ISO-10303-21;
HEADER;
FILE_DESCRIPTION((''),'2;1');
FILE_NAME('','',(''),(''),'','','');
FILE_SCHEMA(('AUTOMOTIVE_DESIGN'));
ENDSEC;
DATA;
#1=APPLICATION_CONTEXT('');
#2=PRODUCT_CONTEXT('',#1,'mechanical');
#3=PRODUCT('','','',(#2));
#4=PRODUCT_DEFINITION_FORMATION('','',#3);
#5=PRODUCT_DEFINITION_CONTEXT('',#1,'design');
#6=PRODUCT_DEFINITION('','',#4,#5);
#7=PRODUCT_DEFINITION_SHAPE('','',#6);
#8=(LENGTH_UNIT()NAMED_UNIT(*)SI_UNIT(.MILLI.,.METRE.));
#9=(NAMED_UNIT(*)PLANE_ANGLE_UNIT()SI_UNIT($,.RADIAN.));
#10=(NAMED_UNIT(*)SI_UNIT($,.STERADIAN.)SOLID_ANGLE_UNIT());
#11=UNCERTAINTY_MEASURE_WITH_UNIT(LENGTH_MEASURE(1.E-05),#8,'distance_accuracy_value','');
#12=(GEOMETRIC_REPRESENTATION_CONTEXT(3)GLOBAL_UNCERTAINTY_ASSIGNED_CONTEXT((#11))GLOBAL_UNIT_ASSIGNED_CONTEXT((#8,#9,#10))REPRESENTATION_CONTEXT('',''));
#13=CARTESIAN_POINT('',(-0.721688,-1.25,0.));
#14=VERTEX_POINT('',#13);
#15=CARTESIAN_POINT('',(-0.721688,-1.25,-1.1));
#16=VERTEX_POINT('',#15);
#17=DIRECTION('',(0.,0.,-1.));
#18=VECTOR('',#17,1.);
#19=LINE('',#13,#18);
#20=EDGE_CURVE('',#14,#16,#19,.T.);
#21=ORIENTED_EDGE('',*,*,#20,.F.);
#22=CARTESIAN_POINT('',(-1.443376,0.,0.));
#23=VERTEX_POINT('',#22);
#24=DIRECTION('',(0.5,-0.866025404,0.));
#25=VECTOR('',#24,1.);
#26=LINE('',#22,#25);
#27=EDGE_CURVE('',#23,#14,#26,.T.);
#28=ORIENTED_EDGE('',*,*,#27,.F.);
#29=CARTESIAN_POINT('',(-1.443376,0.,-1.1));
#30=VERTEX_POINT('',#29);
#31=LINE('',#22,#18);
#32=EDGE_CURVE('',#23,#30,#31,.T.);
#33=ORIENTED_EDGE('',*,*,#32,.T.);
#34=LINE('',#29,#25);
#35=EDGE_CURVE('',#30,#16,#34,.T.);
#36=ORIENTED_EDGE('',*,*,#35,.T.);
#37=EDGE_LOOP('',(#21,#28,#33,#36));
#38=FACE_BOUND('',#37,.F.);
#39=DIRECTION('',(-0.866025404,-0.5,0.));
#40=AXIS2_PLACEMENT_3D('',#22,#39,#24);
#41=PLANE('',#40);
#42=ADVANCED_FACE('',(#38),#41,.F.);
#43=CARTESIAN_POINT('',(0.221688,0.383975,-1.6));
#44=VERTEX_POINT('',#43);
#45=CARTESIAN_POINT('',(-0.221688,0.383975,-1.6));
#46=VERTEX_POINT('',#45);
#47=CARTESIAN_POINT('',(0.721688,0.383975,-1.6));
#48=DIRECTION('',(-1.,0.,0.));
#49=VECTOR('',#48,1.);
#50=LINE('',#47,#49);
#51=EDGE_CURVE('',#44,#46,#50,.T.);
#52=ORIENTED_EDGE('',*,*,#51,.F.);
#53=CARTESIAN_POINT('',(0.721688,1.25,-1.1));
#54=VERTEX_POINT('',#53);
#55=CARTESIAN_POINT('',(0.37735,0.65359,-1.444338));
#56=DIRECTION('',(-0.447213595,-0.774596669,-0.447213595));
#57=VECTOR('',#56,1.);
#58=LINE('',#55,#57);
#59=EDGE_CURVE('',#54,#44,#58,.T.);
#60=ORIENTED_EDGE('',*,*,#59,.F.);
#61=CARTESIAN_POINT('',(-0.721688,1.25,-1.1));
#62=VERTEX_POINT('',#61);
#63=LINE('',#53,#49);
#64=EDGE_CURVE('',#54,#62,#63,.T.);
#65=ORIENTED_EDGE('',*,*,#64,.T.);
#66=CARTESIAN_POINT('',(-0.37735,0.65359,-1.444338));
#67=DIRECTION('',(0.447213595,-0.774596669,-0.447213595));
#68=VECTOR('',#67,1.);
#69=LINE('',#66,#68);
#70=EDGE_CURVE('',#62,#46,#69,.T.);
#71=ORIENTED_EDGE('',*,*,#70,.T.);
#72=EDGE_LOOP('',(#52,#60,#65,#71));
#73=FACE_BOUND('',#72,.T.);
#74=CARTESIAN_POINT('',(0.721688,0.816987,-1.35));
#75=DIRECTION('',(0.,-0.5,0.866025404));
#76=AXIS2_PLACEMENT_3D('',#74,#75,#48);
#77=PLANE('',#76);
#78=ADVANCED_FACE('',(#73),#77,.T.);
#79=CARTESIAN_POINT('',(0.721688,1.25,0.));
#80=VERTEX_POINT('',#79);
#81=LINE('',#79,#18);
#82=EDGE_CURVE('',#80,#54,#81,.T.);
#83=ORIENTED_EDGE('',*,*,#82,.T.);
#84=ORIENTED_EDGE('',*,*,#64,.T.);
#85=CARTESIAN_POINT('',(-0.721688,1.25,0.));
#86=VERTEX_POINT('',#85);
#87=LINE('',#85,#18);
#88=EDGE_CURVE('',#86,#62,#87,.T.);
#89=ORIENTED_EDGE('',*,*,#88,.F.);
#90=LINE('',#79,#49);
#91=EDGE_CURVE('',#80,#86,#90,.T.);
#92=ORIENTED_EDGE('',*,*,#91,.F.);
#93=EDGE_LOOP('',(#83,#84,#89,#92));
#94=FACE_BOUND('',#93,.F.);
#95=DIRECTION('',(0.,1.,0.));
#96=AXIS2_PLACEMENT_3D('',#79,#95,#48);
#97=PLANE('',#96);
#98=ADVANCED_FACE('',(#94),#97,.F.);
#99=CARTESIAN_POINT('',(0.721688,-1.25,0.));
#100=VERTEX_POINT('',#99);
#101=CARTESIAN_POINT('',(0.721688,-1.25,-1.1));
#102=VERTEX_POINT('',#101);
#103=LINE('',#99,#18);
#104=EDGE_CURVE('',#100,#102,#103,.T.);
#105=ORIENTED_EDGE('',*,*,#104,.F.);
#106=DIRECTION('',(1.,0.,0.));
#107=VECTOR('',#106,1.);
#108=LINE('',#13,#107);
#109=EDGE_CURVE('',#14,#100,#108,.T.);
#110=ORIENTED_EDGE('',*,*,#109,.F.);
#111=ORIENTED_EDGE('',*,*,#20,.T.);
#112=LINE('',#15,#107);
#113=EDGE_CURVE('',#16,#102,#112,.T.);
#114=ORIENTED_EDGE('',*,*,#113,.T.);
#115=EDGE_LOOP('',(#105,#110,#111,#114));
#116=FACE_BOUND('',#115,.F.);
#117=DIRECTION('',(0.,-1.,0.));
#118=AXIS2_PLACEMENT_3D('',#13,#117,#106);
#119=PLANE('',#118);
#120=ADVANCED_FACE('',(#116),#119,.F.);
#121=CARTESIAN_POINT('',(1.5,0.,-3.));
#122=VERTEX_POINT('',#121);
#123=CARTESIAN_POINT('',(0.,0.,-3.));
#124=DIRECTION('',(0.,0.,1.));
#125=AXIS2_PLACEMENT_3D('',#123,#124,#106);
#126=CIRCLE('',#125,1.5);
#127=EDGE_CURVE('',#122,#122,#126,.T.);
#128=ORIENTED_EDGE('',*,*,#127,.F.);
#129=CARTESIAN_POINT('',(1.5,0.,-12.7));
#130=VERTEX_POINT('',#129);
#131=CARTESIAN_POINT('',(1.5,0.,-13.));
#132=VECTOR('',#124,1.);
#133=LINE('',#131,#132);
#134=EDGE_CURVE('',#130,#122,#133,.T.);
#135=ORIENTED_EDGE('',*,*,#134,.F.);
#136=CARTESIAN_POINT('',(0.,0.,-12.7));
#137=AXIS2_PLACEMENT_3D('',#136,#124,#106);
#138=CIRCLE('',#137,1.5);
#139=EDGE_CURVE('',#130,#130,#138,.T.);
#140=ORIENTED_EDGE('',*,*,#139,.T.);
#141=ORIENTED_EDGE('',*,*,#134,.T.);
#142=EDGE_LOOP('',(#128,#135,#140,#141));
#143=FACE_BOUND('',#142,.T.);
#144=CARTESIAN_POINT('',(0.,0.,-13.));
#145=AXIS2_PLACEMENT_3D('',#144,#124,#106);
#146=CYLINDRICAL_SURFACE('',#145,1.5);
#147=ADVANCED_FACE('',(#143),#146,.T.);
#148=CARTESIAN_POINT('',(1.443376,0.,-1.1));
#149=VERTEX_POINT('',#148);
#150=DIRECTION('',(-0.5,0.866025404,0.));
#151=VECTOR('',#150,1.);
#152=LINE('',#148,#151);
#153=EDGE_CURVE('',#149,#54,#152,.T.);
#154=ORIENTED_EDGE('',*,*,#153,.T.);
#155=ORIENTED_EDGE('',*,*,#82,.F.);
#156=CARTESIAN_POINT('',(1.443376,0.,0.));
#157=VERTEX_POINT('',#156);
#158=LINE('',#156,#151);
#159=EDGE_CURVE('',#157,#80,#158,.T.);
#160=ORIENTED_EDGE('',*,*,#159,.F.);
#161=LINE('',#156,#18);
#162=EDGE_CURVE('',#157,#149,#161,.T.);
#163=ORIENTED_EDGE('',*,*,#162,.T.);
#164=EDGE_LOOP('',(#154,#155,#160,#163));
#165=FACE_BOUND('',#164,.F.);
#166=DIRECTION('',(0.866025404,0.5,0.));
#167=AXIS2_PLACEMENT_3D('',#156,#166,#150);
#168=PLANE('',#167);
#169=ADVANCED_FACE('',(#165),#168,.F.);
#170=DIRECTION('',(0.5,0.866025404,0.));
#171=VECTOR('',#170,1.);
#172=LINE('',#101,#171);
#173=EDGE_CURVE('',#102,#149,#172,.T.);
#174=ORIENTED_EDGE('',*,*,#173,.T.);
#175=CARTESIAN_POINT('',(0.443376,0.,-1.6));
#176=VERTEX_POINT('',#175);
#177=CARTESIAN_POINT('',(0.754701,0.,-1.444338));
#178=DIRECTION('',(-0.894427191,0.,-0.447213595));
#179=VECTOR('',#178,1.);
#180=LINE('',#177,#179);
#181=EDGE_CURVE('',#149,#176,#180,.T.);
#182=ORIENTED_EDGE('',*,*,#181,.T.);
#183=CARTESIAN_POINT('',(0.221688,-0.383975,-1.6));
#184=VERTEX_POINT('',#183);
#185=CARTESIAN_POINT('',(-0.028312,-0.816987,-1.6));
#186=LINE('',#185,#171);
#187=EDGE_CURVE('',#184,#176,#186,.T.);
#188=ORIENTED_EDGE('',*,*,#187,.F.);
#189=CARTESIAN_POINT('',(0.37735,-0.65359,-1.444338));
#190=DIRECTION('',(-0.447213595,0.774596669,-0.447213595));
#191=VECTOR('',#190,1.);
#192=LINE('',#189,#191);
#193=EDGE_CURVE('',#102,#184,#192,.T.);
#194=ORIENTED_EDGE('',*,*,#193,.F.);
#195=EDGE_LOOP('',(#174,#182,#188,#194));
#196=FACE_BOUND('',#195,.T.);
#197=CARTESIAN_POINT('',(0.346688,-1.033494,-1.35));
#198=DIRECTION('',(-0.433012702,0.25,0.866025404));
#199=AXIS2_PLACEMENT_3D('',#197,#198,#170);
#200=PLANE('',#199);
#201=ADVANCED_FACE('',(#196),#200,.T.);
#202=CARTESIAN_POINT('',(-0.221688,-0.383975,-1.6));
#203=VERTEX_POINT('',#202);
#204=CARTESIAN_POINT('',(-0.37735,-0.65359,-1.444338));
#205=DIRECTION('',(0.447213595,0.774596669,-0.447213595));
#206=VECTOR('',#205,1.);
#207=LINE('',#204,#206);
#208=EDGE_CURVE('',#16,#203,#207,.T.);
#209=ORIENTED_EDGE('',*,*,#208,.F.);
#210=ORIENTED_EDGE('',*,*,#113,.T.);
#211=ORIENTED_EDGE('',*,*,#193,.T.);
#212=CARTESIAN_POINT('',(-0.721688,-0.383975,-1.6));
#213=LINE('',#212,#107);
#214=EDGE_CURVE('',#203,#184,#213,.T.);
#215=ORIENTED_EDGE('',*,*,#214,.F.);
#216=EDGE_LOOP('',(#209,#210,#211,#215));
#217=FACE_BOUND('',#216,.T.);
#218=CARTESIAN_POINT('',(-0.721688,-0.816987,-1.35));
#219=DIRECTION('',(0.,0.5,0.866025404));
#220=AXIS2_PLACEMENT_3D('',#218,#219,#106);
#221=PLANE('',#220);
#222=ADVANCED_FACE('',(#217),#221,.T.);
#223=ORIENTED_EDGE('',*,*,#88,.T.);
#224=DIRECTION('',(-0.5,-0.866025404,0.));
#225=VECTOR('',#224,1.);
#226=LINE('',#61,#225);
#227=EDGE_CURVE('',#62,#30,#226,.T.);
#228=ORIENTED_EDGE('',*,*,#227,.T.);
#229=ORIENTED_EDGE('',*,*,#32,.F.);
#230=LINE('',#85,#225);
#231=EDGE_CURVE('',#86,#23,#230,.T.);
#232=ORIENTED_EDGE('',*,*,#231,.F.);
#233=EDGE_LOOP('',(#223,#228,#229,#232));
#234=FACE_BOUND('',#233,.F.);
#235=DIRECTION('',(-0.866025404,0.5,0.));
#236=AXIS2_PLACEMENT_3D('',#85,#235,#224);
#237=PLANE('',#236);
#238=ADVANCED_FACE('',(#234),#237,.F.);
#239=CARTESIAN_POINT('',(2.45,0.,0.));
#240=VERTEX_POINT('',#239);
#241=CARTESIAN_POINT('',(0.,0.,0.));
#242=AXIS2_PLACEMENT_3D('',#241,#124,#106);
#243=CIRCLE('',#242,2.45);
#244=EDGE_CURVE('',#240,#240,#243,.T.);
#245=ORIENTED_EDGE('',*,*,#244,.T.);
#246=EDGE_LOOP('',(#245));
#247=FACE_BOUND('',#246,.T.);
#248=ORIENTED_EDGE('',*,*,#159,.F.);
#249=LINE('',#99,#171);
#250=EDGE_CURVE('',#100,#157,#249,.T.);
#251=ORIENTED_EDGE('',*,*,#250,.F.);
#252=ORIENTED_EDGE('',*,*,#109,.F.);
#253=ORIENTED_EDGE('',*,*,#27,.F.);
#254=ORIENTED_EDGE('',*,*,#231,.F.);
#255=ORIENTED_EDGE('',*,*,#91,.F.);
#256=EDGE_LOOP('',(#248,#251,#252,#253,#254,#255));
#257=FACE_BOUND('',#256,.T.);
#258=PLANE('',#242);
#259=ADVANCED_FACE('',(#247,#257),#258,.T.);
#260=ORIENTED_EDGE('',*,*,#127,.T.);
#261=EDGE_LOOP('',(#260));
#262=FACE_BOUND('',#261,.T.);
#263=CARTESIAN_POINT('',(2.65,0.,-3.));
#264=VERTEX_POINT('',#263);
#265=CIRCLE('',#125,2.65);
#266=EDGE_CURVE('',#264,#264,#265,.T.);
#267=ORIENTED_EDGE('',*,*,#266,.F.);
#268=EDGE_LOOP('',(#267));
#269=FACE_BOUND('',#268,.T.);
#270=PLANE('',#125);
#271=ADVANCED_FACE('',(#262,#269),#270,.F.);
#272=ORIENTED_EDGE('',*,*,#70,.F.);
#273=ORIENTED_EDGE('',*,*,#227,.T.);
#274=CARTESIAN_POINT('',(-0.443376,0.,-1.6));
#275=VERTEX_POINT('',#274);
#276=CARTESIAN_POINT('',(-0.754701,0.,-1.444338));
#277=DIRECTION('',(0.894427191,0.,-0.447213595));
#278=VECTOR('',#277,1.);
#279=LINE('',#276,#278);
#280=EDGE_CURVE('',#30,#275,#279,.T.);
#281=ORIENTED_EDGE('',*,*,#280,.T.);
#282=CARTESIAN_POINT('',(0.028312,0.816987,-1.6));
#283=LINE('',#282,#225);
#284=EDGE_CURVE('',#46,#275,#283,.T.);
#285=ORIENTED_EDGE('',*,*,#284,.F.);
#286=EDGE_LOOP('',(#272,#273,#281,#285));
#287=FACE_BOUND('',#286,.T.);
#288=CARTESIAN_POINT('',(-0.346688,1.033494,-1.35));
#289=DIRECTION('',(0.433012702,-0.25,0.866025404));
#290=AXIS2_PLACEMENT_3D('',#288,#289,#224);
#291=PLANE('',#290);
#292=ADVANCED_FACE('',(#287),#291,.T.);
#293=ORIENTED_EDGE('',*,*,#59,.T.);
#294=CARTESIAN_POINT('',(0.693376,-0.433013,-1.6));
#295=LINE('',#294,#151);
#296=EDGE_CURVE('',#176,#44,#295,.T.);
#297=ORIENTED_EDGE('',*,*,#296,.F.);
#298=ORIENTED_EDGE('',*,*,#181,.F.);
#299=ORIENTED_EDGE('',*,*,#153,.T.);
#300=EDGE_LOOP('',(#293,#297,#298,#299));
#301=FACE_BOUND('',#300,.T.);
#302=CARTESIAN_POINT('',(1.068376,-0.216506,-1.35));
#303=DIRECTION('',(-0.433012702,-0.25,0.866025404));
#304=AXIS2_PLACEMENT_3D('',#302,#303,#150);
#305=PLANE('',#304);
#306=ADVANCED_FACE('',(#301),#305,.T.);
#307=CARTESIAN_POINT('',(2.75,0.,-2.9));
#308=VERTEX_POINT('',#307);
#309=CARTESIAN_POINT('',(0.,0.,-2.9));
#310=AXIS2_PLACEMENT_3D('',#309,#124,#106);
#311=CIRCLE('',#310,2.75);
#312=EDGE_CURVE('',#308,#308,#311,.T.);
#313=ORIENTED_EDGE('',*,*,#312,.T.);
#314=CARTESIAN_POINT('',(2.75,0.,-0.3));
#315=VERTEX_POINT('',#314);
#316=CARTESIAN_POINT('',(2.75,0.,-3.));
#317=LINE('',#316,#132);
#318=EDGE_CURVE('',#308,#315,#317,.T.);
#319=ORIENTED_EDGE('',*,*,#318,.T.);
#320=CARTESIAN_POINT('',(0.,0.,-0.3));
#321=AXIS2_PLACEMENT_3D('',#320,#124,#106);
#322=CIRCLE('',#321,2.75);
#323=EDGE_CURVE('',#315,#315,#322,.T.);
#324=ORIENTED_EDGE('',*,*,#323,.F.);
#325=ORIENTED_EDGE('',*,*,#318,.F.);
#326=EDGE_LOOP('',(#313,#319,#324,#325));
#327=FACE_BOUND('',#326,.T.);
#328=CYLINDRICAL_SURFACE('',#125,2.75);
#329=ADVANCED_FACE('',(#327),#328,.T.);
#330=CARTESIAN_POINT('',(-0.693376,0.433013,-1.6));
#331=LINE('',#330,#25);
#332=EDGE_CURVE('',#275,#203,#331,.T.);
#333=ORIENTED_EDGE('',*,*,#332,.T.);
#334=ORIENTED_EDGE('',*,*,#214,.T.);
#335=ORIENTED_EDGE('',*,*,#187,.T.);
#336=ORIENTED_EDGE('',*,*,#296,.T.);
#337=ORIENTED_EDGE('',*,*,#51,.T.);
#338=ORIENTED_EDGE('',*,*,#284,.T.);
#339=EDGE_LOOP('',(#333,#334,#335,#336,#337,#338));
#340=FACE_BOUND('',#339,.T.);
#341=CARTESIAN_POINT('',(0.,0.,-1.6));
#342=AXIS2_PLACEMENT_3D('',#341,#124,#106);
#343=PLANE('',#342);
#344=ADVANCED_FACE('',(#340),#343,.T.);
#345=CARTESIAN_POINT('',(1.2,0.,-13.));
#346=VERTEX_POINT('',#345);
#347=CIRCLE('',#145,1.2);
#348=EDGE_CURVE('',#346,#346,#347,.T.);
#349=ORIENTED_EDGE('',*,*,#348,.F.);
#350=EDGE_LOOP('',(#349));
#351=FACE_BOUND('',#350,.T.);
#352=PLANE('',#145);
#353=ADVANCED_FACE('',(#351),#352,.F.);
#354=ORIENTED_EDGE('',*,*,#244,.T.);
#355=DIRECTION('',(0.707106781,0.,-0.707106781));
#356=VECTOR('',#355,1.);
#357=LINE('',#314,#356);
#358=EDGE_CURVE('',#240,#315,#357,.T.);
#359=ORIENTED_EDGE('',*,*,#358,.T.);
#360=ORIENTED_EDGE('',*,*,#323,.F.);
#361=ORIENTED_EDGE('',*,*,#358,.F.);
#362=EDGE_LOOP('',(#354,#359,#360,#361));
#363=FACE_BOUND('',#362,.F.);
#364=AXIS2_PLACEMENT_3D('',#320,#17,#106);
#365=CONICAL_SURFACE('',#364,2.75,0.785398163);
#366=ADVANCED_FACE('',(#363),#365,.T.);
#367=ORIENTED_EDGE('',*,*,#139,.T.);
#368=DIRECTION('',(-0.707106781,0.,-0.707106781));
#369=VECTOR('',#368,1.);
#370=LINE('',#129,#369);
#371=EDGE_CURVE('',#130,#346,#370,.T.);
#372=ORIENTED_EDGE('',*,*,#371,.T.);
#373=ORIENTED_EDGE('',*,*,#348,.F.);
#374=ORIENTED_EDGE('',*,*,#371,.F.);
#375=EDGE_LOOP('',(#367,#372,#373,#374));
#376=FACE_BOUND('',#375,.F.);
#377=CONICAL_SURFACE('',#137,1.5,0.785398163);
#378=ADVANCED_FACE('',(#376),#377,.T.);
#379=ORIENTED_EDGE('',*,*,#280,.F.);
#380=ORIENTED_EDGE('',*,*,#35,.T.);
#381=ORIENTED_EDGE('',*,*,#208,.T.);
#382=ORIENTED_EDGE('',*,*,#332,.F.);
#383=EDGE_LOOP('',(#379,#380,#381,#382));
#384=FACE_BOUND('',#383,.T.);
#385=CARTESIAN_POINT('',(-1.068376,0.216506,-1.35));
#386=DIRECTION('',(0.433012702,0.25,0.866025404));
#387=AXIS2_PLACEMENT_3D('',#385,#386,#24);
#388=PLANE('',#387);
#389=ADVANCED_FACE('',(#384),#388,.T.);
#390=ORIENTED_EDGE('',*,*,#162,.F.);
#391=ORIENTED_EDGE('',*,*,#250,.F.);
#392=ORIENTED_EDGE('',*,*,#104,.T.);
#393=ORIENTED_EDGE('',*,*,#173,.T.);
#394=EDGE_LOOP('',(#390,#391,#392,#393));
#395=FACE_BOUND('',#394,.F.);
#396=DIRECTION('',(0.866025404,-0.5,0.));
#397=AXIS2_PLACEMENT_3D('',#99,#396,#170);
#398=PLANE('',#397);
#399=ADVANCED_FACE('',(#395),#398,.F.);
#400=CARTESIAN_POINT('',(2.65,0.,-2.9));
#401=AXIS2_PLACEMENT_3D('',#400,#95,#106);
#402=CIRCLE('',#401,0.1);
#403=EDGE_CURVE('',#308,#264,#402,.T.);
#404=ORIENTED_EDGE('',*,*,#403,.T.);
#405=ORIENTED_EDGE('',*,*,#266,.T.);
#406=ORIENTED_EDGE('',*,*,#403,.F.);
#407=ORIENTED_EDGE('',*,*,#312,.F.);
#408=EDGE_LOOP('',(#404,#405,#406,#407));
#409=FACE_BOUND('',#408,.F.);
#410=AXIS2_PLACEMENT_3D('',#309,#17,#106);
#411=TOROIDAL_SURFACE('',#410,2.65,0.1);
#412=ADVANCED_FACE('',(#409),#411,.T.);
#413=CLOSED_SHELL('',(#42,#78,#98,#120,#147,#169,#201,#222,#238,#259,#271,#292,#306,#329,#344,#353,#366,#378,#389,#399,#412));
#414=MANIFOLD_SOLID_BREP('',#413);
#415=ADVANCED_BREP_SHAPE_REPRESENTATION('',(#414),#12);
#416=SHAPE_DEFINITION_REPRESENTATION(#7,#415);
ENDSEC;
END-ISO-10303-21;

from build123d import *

# Parameters (mm, degrees)
F3_DEPTH = 1.6
F4_SIZE2 = 0.8660254038
F4_SIZE  = 0.5
F5_SIZE  = 0.3
F6_R     = 0.1


with BuildPart() as f1:
    # F0 (on Front) → F1 (revolve)
    with BuildSketch(Plane.XZ):
        Polygon((2.75, 0), (0, 0), (0, -13), (1.5, -13), (1.5, -3), (2.75, -3), align=None)
    revolve(axis=Axis((0, 0, -6.5), (0, 0, 1)))

    # F2 (on face) → F3 (cut)
    with BuildSketch(Plane.XY):
        Polygon((0.7216878365, 1.25), (-0.7216878365, 1.25), (-1.443375673, 0), (-0.7216878365, -1.25), (0.7216878365, -1.25), (1.443375673, 0), align=None)
    extrude(amount=-F3_DEPTH, mode=Mode.SUBTRACT)

    # F4
    f4_edges = [f1.edges().sort_by_distance(p)[0] for p in [
        (0, 1.25, -1.6),
        (-1.082532, 0.625, -1.6),
        (-1.082532, -0.625, -1.6),
        (0, -1.25, -1.6),
        (1.082532, -0.625, -1.6),
        (1.082532, 0.625, -1.6),
    ]]
    chamfer(f4_edges, length=F4_SIZE, length2=F4_SIZE2)

    # F5
    f5_edges = [f1.edges().sort_by_distance(p)[0] for p in [
        (-2.75, 0, 0),
        (-1.5, 0, -13),
    ]]
    chamfer(f5_edges, length=F5_SIZE)

    # F6
    f6_edges = [f1.edges().sort_by_distance(p)[0] for p in [
        (-2.75, 0, -3),
    ]]
    fillet(f6_edges, radius=F6_R)


with BuildPart() as f7_1:
    # F7: copy of F1
    add(f1.part)


solid = f1.part
